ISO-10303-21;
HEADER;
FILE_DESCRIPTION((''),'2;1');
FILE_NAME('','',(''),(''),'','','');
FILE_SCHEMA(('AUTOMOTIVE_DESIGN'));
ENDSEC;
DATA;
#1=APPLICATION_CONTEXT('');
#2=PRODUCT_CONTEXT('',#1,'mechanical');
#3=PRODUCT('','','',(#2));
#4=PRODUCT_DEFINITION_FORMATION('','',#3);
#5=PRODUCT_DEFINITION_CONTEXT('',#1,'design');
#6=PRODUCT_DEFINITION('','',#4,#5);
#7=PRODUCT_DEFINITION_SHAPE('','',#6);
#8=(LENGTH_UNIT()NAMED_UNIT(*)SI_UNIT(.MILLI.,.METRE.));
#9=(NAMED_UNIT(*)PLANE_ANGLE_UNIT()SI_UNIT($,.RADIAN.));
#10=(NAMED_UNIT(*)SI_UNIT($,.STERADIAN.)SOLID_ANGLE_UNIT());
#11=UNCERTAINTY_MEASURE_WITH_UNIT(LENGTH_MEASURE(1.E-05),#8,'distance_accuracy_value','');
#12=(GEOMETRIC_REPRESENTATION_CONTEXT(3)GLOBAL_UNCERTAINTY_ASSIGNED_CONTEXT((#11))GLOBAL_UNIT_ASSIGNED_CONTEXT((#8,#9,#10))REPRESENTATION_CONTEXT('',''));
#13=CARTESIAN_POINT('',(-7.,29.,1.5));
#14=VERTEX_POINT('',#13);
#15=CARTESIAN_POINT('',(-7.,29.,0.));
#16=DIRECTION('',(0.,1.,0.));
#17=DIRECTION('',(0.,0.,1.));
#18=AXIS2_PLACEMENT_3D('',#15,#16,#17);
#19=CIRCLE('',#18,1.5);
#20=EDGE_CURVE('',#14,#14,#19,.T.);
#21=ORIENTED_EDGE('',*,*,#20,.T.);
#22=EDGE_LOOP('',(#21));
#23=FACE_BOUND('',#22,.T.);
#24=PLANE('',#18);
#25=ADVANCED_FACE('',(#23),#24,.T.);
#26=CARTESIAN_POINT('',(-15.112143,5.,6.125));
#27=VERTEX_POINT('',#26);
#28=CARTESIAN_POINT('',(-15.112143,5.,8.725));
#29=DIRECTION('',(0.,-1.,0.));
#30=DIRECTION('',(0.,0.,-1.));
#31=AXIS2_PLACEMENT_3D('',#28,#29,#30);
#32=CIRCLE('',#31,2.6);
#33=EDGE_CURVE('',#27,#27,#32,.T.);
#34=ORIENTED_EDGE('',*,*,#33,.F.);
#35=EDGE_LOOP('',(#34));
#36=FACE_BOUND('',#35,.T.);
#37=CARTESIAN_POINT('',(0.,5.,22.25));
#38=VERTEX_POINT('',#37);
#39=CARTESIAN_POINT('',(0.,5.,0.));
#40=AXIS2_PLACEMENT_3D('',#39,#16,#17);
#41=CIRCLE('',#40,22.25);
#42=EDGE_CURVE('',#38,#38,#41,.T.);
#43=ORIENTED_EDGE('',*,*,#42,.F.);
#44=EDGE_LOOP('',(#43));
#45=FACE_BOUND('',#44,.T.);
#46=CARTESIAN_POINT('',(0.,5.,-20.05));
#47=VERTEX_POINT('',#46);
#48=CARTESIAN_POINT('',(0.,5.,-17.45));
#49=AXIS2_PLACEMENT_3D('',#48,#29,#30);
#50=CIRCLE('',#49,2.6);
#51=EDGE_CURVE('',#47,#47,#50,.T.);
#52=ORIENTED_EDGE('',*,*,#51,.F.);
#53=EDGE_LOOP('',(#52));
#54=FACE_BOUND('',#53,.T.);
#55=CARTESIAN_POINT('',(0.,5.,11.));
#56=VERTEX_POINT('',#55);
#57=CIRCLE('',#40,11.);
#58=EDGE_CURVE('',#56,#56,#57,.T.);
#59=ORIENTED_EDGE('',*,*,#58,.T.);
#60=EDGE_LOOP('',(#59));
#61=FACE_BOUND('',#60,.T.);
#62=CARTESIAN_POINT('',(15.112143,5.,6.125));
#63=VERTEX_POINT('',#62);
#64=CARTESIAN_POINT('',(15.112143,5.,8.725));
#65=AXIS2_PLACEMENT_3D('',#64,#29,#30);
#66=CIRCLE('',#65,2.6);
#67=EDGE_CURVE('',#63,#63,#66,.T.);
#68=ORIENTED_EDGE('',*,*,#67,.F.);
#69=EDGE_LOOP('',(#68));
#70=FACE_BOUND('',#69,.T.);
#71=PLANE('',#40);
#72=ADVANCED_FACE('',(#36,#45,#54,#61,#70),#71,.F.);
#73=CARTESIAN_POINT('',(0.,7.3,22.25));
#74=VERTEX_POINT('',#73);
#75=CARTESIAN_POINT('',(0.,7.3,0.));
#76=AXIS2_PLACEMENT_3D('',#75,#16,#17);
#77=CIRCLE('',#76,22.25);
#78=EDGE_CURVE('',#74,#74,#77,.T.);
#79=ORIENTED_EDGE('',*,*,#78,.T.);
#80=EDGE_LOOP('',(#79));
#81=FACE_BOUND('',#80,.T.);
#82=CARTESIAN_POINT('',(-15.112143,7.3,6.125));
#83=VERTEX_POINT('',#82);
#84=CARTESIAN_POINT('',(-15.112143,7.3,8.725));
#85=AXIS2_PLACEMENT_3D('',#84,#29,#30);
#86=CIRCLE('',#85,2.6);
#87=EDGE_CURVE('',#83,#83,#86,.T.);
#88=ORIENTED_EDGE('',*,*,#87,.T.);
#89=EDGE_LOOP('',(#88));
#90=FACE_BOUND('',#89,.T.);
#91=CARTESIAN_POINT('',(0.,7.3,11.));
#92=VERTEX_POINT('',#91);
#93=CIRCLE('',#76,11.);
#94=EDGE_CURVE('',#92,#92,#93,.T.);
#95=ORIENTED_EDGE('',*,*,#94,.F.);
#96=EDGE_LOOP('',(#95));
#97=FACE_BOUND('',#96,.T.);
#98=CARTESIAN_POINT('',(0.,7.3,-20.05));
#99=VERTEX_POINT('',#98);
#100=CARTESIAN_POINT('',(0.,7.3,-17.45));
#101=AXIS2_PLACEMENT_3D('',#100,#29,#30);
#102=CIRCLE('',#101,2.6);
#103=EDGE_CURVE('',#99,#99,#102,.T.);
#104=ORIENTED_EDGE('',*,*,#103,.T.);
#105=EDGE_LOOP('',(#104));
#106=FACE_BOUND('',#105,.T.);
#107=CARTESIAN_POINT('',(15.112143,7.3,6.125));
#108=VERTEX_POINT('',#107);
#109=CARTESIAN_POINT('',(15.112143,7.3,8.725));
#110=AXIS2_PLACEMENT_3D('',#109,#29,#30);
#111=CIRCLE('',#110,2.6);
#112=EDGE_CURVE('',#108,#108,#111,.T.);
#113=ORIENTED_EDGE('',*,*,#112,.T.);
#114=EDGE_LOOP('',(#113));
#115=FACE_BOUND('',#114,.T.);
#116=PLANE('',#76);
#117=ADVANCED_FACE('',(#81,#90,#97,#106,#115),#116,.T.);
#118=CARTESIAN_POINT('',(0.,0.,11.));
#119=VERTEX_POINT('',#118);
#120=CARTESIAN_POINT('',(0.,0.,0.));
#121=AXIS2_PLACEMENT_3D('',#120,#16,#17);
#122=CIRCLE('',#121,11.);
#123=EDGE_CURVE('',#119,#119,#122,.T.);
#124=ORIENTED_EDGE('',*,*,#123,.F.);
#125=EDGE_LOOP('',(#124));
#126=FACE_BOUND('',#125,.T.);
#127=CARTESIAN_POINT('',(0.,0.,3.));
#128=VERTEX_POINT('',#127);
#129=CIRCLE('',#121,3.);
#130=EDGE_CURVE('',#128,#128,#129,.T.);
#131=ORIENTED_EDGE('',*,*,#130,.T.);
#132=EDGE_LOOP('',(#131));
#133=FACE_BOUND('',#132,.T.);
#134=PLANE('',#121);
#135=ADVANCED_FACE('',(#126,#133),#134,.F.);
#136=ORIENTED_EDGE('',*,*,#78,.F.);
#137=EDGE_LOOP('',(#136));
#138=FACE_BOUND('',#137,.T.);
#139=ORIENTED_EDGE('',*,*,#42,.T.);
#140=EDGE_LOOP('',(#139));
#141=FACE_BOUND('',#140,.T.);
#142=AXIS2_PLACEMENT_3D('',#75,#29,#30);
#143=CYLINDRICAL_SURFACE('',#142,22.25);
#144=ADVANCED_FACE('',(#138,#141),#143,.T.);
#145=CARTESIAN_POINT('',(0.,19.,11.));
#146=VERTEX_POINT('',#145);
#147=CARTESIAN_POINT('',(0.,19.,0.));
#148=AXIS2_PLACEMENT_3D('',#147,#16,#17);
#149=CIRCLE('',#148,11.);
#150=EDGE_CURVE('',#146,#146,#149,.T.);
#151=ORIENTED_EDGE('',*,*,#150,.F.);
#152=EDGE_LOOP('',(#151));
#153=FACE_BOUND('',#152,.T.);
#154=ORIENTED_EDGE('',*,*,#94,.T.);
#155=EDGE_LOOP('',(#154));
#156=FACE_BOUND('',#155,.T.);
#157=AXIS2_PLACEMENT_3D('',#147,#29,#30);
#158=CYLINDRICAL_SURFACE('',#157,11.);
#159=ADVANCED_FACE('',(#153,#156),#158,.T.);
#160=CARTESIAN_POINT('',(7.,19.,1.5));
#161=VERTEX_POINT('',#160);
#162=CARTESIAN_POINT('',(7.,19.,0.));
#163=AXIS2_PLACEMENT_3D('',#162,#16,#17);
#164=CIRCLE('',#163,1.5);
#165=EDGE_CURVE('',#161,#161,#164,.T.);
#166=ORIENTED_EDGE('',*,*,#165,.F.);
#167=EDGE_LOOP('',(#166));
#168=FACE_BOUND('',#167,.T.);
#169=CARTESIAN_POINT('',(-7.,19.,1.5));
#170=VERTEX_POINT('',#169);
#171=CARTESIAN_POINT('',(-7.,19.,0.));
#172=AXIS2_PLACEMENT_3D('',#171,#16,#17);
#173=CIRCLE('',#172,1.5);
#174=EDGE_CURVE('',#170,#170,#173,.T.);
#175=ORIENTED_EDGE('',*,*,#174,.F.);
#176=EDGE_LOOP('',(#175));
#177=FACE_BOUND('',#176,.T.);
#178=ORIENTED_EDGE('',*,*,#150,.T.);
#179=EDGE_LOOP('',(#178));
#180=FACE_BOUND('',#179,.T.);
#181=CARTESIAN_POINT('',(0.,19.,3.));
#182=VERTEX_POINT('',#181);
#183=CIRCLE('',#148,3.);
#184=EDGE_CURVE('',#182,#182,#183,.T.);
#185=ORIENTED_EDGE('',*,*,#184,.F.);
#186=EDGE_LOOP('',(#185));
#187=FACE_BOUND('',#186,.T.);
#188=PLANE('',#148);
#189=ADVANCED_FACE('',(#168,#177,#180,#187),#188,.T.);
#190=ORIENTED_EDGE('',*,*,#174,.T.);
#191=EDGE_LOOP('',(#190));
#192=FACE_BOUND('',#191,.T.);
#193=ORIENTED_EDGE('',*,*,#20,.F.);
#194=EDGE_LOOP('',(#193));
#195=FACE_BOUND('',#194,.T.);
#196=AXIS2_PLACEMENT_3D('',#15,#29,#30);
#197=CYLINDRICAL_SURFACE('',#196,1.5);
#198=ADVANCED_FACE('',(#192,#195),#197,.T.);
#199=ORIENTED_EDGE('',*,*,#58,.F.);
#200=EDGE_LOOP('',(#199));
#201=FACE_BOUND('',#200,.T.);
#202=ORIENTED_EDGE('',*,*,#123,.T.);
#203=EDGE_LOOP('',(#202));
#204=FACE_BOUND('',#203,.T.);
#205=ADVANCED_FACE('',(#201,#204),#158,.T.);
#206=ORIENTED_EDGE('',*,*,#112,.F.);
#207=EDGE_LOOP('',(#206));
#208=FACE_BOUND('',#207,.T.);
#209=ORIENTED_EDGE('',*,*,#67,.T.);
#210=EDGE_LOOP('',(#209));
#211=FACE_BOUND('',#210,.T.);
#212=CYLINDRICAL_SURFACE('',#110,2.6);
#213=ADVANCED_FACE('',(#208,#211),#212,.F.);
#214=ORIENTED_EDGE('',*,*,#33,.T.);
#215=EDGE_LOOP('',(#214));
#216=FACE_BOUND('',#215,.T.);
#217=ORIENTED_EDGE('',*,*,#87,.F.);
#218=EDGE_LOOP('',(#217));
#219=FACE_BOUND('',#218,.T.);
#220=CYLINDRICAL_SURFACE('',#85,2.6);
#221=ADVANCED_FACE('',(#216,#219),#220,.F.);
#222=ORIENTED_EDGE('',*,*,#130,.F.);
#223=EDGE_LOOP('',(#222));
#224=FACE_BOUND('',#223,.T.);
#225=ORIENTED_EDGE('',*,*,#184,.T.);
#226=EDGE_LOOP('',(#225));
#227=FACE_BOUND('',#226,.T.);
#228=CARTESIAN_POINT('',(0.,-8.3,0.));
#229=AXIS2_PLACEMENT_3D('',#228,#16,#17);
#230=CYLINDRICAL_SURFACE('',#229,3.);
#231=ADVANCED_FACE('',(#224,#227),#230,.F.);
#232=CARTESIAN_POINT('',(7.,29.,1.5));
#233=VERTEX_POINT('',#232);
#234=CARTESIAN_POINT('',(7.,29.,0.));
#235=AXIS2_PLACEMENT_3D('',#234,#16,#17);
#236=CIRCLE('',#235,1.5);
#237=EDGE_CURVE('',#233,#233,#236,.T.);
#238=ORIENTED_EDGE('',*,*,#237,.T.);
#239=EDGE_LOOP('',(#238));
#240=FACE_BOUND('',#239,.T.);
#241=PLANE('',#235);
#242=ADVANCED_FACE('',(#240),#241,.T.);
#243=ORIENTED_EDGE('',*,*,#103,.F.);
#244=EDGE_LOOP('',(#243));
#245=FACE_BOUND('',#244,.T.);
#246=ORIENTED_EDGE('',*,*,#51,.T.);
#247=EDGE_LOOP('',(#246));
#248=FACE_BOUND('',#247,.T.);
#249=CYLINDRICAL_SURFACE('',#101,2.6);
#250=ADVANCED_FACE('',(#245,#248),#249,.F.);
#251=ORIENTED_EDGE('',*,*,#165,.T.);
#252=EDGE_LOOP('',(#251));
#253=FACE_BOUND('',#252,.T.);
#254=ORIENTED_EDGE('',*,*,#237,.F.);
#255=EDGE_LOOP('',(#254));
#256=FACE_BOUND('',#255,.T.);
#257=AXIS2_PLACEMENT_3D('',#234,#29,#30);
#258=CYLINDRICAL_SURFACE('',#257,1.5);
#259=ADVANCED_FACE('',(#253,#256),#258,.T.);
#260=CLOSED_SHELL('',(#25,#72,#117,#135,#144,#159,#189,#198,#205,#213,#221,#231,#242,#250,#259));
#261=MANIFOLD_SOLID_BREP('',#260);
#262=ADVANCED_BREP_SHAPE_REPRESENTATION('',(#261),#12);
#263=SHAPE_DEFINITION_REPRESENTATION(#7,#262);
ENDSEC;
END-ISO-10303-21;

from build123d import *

# Parameters (mm, degrees)
CROQUIS1_R              = 11
SALIENTE_EXTRUIR1_DEPTH = 19
CROQUIS2_R              = 22.25
SALIENTE_EXTRUIR2_DEPTH = 2.3
CROQUIS3_R              = 2.6
CORTAR_EXTRUIR1_DEPTH   = 2.3
CROQUIS4_R              = 3
CORTAR_EXTRUIR2_DEPTH   = 27.3
CROQUIS5_R              = 1.5
SALIENTE_EXTRUIR3_DEPTH = 10


with BuildPart() as part:
    # Croquis1 → Saliente-Extruir1 (new body)
    with BuildSketch(Plane(origin=(0, 0, 0), x_dir=(1, 0, 0), z_dir=(0, 1, 0))):
        Circle(CROQUIS1_R)
    extrude(amount=SALIENTE_EXTRUIR1_DEPTH)

    # Croquis2 → Saliente-Extruir2 (add)
    with BuildSketch(Plane(origin=(0, 5, 0), x_dir=(1, 0, 0), z_dir=(0, 1, 0))):
        Circle(CROQUIS2_R)
    extrude(amount=SALIENTE_EXTRUIR2_DEPTH)

    # Croquis3 → Cortar-Extruir1 (cut)
    with BuildSketch(Plane.XZ.offset(-5)):
        with Locations((15.112143296, 8.725)):
            Circle(CROQUIS3_R)
        with Locations((-15.112143296, 8.725)):
            Circle(CROQUIS3_R)
        with Locations((0, -17.45)):
            Circle(CROQUIS3_R)
    extrude(amount=-CORTAR_EXTRUIR1_DEPTH, mode=Mode.SUBTRACT)

    # Croquis4 → Cortar-Extruir2 (cut)
    with BuildSketch(Plane(origin=(0, 19, 0), x_dir=(1, 0, 0), z_dir=(0, 1, 0))):
        Circle(CROQUIS4_R)
    extrude(amount=-CORTAR_EXTRUIR2_DEPTH, mode=Mode.SUBTRACT)

    # Croquis5 → Saliente-Extruir3 (add)
    with BuildSketch(Plane(origin=(0, 19, 0), x_dir=(1, 0, 0), z_dir=(0, 1, 0))):
        with Locations((-7, 0)):
            Circle(CROQUIS5_R)
        with Locations((7, 0)):
            Circle(CROQUIS5_R)
    extrude(amount=SALIENTE_EXTRUIR3_DEPTH)


solid = part.part
